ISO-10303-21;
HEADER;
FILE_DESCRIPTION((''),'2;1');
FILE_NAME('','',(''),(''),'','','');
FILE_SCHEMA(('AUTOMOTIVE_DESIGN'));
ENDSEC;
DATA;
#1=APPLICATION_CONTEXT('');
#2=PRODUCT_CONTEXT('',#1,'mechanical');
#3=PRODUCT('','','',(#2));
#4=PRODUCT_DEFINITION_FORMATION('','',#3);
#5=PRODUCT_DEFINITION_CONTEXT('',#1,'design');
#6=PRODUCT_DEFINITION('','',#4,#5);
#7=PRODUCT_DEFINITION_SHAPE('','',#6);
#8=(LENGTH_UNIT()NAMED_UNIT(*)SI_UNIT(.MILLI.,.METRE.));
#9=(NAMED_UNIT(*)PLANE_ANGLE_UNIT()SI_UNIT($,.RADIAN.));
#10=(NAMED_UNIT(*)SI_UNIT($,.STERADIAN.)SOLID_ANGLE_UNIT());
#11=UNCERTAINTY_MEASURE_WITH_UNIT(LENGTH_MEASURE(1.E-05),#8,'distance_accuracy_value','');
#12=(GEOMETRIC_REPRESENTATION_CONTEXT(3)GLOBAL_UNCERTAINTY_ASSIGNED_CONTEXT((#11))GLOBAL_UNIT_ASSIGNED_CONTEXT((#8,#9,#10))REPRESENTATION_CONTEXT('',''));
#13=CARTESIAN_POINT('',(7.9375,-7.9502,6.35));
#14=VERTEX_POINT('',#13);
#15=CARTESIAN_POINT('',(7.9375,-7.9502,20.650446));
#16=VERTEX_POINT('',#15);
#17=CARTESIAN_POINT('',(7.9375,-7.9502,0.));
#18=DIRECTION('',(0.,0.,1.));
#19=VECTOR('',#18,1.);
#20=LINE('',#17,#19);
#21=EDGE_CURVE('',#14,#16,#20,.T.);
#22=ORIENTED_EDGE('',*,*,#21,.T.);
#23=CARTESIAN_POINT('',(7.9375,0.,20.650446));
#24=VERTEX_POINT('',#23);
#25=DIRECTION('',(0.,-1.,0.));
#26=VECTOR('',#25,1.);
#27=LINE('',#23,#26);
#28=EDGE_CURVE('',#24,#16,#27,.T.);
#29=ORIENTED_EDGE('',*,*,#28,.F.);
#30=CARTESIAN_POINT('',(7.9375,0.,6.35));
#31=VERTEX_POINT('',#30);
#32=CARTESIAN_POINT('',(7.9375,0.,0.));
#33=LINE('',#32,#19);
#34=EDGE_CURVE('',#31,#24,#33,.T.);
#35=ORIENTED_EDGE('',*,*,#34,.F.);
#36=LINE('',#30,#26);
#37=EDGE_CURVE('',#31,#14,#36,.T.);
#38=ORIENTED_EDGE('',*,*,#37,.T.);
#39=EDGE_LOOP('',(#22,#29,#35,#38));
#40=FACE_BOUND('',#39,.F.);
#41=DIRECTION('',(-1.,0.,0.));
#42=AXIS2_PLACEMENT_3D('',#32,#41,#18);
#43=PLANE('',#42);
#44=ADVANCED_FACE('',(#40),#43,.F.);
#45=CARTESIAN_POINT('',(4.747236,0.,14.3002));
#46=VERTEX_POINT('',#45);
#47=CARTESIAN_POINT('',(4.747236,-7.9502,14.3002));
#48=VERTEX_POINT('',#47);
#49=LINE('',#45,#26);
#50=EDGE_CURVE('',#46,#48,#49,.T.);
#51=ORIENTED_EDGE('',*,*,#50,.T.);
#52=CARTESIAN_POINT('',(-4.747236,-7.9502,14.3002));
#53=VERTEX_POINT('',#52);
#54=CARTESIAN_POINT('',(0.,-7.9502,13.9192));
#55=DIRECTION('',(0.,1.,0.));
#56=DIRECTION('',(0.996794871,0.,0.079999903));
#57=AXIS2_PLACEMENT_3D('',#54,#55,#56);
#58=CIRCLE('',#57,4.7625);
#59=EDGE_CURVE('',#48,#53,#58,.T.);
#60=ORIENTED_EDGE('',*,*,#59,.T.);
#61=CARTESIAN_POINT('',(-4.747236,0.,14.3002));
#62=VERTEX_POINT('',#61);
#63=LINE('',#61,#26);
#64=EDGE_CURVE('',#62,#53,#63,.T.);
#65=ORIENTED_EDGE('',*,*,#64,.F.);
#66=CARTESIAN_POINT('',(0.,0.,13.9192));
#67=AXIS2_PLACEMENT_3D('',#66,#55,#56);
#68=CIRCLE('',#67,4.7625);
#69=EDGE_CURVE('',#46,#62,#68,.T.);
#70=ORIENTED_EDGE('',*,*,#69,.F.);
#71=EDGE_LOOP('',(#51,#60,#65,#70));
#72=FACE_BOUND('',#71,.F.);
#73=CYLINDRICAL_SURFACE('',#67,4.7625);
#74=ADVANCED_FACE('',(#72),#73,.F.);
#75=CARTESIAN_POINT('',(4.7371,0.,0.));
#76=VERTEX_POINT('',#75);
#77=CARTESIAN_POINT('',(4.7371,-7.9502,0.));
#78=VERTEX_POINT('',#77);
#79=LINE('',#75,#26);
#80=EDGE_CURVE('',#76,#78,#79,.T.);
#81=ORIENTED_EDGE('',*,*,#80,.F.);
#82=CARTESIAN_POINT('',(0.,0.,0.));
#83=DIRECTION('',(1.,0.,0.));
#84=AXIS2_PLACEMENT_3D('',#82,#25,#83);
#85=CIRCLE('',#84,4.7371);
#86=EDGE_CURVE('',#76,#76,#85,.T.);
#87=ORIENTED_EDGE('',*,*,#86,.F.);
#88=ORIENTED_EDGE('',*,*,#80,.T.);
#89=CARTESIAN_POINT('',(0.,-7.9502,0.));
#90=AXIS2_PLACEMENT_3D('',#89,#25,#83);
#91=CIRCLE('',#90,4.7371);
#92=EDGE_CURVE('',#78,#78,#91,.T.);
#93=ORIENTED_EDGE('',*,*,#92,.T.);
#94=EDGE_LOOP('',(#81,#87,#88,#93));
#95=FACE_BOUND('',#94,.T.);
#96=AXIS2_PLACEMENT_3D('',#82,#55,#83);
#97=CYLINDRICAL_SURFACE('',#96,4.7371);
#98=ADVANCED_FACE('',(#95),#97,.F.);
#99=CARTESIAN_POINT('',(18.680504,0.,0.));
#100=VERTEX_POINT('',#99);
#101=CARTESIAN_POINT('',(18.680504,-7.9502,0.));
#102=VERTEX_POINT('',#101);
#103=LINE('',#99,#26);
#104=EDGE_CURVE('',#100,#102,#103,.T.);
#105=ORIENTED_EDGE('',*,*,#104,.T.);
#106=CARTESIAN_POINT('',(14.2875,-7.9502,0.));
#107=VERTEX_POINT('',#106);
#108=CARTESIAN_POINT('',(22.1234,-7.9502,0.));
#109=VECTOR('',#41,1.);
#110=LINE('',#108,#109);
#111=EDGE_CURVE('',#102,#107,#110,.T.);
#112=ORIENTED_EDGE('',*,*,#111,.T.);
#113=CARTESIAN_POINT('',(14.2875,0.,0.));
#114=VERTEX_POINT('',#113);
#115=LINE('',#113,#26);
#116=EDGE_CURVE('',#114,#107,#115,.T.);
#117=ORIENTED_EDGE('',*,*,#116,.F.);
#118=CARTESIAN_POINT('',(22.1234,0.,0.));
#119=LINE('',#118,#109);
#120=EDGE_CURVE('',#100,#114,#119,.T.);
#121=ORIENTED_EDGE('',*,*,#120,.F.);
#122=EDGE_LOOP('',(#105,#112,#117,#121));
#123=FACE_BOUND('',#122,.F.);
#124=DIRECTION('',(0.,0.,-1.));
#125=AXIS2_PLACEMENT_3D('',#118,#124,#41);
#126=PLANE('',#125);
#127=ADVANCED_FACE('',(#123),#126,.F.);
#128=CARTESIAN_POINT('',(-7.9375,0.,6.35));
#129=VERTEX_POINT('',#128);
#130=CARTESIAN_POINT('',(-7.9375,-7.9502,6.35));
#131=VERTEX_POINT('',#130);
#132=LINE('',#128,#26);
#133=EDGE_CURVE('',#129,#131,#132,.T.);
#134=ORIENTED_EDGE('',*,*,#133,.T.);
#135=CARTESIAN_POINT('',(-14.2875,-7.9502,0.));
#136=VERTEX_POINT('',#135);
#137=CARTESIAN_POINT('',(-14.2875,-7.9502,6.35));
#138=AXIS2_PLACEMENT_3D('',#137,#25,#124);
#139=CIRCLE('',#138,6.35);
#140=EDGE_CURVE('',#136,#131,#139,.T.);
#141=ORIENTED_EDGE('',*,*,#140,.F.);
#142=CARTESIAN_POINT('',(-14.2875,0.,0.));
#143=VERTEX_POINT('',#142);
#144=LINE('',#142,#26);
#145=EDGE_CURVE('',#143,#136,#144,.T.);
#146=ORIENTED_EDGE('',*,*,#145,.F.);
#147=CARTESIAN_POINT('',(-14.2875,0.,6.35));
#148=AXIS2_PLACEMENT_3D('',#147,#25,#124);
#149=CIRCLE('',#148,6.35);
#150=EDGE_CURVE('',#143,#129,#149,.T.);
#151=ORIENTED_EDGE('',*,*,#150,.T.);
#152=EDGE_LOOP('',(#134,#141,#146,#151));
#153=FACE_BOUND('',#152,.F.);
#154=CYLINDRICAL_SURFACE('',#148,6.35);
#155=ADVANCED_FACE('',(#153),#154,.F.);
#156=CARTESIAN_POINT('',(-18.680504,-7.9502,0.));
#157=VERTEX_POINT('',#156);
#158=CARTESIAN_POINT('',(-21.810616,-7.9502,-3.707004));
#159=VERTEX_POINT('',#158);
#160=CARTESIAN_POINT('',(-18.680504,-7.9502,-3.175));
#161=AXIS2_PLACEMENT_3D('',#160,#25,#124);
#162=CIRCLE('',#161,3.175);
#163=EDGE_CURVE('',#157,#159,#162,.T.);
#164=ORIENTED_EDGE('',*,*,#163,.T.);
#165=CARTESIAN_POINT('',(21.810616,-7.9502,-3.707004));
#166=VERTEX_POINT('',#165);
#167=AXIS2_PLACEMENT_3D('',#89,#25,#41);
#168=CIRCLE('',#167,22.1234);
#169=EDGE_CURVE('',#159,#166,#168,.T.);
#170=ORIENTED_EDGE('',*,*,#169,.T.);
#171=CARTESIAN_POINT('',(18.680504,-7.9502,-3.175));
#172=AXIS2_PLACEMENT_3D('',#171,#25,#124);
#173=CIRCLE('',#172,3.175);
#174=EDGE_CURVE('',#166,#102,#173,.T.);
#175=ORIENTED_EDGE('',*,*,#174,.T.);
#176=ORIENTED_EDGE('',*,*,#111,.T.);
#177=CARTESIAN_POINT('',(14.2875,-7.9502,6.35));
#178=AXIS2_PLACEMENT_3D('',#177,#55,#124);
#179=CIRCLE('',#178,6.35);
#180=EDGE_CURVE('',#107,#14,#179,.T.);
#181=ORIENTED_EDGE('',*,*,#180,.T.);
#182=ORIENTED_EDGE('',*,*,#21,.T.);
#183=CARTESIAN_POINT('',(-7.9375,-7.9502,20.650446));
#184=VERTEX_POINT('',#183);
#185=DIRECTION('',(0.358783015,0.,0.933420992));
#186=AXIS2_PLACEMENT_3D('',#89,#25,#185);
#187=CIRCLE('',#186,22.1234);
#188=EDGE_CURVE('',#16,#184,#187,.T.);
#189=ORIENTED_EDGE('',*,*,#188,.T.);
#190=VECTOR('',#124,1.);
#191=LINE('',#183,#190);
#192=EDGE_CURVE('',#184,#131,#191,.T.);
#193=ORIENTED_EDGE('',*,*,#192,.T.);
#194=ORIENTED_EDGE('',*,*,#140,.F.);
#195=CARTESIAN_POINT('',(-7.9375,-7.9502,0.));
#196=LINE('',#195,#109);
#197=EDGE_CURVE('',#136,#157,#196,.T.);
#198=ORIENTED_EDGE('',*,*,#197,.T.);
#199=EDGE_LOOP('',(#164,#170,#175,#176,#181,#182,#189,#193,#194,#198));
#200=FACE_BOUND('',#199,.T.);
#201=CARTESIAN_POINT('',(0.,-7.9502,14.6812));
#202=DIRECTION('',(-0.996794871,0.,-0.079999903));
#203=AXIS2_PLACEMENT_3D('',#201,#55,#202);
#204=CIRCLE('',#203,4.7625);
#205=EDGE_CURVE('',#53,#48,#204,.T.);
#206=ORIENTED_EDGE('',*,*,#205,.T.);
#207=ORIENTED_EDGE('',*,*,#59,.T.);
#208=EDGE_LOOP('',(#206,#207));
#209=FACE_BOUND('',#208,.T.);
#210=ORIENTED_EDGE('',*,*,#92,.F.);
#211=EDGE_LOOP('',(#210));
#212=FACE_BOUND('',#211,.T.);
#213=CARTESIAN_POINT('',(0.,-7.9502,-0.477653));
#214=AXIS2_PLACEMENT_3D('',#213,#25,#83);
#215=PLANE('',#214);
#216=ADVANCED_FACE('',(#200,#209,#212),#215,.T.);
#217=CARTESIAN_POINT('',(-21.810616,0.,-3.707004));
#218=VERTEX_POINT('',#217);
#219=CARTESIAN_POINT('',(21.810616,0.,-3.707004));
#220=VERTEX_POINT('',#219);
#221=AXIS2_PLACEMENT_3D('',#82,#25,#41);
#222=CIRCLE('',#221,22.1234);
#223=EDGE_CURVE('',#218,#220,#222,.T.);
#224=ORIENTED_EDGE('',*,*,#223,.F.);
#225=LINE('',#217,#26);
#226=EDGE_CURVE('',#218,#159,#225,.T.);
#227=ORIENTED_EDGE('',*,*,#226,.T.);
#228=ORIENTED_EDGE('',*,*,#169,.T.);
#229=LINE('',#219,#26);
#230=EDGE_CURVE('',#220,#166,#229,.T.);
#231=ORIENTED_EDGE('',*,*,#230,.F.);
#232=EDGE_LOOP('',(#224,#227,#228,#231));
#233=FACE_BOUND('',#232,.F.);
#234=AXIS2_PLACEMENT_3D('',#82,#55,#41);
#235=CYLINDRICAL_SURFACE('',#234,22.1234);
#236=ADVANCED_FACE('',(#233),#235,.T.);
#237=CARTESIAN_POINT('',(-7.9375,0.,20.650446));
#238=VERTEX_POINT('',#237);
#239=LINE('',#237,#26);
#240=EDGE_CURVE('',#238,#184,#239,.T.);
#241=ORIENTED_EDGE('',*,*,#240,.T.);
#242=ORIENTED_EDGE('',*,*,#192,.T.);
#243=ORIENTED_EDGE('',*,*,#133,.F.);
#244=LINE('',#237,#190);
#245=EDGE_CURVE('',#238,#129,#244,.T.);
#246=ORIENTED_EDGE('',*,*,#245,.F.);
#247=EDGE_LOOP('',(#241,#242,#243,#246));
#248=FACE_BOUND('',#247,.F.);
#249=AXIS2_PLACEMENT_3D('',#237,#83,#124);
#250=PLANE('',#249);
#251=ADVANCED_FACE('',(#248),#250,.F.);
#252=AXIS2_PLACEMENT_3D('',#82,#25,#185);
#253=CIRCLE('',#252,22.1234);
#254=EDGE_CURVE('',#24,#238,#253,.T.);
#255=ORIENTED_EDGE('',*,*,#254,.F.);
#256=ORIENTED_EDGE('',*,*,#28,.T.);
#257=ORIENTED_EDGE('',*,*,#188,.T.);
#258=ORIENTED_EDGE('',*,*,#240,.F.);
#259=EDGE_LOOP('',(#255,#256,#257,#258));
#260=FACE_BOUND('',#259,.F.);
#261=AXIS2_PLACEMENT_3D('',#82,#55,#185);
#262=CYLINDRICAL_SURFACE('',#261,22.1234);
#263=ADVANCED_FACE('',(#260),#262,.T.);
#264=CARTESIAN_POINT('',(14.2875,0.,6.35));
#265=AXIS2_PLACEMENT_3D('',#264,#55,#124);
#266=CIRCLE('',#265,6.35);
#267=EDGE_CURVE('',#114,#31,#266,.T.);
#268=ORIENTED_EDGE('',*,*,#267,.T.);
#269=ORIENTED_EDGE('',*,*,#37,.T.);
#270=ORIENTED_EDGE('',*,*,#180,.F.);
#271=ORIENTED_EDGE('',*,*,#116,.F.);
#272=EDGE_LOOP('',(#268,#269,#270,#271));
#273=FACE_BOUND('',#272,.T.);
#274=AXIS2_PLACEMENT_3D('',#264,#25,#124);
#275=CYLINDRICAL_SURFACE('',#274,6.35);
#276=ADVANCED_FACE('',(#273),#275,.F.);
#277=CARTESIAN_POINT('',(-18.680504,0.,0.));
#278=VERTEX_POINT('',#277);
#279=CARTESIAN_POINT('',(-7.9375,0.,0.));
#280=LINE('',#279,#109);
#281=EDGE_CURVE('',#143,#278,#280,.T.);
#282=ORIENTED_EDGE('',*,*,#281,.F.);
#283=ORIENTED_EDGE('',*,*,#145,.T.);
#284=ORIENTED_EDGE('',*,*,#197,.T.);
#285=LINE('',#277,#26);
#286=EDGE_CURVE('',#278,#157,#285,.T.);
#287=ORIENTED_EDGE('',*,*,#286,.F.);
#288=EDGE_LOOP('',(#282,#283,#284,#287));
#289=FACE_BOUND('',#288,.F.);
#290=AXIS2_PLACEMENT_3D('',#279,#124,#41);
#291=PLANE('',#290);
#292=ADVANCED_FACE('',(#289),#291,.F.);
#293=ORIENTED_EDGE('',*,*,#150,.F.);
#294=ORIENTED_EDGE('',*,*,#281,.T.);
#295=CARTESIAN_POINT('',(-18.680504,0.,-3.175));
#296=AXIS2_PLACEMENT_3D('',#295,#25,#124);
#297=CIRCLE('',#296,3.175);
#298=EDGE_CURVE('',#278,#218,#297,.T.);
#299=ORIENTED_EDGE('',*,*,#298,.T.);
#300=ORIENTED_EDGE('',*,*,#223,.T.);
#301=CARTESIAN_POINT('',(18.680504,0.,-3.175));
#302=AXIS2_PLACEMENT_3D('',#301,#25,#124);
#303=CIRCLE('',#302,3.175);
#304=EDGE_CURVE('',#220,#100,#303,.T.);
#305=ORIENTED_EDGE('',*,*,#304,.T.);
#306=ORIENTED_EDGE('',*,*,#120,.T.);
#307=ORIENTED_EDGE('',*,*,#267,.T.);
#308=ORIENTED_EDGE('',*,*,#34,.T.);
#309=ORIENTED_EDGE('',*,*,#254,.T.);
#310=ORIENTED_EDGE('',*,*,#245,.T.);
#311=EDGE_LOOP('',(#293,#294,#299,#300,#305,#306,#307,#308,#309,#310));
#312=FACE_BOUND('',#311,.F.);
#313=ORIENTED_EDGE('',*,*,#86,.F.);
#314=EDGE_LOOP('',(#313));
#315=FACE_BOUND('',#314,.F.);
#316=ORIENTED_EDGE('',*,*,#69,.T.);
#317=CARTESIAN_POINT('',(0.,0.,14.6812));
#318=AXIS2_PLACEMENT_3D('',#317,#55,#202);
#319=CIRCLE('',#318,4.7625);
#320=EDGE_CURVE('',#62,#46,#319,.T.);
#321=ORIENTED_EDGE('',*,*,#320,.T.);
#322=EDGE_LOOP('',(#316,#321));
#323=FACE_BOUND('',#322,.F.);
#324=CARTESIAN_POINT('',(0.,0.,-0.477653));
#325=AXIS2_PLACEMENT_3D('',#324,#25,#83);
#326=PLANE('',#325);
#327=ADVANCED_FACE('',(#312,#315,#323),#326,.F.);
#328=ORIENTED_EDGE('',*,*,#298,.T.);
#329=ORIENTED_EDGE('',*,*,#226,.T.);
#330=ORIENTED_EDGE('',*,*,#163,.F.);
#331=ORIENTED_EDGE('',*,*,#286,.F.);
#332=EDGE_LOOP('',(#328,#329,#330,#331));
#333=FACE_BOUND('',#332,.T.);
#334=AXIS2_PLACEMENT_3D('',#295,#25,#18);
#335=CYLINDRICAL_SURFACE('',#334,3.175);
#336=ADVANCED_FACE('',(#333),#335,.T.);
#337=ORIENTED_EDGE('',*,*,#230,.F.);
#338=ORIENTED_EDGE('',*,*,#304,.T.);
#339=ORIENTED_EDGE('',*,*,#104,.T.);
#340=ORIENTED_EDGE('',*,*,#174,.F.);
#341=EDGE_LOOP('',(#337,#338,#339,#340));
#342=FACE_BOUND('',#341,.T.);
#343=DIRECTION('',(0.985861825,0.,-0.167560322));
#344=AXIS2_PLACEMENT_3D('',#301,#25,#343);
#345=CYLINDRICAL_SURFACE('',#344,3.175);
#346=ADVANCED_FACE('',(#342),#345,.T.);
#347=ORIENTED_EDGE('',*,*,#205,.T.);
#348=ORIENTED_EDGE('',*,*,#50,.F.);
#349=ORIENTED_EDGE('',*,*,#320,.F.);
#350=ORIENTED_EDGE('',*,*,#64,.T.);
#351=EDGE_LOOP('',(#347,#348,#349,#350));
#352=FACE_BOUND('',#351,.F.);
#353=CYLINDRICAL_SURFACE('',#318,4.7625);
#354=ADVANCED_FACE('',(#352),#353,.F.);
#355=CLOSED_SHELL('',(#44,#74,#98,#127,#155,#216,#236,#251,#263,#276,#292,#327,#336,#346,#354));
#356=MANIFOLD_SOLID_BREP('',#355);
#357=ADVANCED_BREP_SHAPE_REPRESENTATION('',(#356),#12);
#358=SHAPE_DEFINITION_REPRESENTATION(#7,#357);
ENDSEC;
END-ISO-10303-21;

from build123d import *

# Parameters (mm, degrees)
F0_R     = 4.7371
F1_DEPTH = 7.9502
F2_R     = 6.35
F3_R     = 3.175


with BuildPart() as f1:
    # F0 (on Front) → F1 (new body)
    with BuildSketch(Plane.XZ):
        with BuildLine():
            Line((-7.9375, 0), (-22.1234, 0))
            ThreePointArc((-22.1234, 0), (0, -22.1234), (22.1234, 0))
            Line((22.1234, 0), (7.9375, 0))
            Line((7.9375, 0), (7.9375, 20.650446))
            ThreePointArc((7.9375, 20.650446), (0, 22.1234), (-7.9375, 20.650446))
            Line((-7.9375, 20.650446), (-7.9375, 0))
        make_face()
        Circle(F0_R, mode=Mode.SUBTRACT)
        with BuildLine():
            ThreePointArc((-4.747236, 14.3002), (0, 19.4437), (4.747236, 14.3002))
            ThreePointArc((4.747236, 14.3002), (0, 9.1567), (-4.747236, 14.3002))
        make_face(mode=Mode.SUBTRACT)
    extrude(amount=F1_DEPTH)

    # F2
    f2_edges = [f1.edges().sort_by_distance(p)[0] for p in [
        (-7.9375, -3.9751, 0),
        (7.9375, -3.9751, 0),
    ]]
    fillet(f2_edges, radius=F2_R)

    # F3
    f3_edges = [f1.edges().sort_by_distance(p)[0] for p in [
        (22.1234, -3.9751, 0),
        (-22.1234, -3.9751, 0),
    ]]
    fillet(f3_edges, radius=F3_R)


solid = f1.part
